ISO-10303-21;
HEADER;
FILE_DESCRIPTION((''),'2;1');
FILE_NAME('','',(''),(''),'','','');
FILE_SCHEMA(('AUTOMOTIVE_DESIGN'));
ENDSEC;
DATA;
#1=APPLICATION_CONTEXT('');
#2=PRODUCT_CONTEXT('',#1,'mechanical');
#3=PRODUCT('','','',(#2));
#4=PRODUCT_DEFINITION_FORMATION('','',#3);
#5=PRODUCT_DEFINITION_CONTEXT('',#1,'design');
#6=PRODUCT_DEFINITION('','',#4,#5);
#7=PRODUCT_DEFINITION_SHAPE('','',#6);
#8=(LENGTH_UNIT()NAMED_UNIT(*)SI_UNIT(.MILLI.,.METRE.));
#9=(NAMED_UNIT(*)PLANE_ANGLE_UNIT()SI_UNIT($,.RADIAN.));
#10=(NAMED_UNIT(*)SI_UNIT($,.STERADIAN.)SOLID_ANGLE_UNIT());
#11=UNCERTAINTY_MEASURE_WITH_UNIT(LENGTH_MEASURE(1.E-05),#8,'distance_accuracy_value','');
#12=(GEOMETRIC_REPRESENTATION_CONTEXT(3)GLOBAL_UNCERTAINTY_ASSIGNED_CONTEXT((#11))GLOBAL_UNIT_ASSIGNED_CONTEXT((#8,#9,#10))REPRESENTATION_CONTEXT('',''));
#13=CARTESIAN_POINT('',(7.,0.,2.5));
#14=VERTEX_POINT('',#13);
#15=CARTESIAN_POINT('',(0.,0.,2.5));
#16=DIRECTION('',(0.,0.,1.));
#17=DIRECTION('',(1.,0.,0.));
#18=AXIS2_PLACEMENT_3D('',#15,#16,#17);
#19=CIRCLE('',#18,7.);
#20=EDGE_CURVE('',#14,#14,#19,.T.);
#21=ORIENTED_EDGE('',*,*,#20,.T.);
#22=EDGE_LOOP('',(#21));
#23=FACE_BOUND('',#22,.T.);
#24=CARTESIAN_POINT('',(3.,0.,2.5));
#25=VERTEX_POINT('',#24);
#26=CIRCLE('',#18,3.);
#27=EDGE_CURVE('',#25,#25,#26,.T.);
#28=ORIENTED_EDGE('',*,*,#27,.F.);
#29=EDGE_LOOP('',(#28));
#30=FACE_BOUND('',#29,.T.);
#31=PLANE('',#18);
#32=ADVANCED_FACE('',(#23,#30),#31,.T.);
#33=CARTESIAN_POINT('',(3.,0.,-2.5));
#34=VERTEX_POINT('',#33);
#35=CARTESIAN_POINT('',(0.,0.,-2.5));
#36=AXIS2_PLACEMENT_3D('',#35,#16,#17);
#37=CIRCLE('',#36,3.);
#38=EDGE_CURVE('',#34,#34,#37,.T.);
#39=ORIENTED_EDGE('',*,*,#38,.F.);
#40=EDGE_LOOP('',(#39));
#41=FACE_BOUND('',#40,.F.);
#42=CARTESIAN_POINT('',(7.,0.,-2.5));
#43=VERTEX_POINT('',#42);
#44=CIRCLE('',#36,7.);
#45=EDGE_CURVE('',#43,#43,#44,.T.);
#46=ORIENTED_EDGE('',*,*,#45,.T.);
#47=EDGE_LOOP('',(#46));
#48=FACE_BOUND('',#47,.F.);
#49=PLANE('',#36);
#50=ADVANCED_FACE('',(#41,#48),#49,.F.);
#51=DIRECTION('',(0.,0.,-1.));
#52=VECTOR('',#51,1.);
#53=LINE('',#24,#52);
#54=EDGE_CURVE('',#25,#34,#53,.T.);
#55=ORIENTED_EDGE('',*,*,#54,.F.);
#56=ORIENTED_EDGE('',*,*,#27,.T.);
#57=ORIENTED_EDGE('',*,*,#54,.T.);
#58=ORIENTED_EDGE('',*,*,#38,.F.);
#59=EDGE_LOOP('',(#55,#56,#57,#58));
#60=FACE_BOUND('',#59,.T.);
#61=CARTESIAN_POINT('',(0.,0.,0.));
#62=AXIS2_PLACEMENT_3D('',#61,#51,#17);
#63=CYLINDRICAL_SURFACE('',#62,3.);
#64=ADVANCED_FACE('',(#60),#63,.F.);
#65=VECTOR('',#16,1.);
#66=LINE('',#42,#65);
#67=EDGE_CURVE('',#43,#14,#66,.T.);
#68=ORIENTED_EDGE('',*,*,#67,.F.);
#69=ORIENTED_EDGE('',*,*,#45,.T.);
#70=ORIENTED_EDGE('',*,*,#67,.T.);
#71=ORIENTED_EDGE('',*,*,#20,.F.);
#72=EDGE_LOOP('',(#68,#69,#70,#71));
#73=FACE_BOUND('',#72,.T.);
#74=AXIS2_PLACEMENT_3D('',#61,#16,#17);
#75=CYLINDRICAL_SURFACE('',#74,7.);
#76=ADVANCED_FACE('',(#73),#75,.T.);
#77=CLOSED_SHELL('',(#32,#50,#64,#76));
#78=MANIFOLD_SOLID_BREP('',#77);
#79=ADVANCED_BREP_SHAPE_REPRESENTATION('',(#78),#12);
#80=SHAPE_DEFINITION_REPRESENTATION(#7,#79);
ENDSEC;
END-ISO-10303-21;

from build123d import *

# Parameters (mm, degrees)
SKETCH_1_R      = 7
SKETCH_1_R_2    = 3
EXTRUDE_1_DEPTH = 2.5


with BuildPart() as part:
    # 草图1 → 凸台-拉伸1 (new body, symmetric)
    with BuildSketch(Plane.XY):
        Circle(SKETCH_1_R)
        Circle(SKETCH_1_R_2, mode=Mode.SUBTRACT)
    extrude(amount=EXTRUDE_1_DEPTH, both=True)


solid = part.part
